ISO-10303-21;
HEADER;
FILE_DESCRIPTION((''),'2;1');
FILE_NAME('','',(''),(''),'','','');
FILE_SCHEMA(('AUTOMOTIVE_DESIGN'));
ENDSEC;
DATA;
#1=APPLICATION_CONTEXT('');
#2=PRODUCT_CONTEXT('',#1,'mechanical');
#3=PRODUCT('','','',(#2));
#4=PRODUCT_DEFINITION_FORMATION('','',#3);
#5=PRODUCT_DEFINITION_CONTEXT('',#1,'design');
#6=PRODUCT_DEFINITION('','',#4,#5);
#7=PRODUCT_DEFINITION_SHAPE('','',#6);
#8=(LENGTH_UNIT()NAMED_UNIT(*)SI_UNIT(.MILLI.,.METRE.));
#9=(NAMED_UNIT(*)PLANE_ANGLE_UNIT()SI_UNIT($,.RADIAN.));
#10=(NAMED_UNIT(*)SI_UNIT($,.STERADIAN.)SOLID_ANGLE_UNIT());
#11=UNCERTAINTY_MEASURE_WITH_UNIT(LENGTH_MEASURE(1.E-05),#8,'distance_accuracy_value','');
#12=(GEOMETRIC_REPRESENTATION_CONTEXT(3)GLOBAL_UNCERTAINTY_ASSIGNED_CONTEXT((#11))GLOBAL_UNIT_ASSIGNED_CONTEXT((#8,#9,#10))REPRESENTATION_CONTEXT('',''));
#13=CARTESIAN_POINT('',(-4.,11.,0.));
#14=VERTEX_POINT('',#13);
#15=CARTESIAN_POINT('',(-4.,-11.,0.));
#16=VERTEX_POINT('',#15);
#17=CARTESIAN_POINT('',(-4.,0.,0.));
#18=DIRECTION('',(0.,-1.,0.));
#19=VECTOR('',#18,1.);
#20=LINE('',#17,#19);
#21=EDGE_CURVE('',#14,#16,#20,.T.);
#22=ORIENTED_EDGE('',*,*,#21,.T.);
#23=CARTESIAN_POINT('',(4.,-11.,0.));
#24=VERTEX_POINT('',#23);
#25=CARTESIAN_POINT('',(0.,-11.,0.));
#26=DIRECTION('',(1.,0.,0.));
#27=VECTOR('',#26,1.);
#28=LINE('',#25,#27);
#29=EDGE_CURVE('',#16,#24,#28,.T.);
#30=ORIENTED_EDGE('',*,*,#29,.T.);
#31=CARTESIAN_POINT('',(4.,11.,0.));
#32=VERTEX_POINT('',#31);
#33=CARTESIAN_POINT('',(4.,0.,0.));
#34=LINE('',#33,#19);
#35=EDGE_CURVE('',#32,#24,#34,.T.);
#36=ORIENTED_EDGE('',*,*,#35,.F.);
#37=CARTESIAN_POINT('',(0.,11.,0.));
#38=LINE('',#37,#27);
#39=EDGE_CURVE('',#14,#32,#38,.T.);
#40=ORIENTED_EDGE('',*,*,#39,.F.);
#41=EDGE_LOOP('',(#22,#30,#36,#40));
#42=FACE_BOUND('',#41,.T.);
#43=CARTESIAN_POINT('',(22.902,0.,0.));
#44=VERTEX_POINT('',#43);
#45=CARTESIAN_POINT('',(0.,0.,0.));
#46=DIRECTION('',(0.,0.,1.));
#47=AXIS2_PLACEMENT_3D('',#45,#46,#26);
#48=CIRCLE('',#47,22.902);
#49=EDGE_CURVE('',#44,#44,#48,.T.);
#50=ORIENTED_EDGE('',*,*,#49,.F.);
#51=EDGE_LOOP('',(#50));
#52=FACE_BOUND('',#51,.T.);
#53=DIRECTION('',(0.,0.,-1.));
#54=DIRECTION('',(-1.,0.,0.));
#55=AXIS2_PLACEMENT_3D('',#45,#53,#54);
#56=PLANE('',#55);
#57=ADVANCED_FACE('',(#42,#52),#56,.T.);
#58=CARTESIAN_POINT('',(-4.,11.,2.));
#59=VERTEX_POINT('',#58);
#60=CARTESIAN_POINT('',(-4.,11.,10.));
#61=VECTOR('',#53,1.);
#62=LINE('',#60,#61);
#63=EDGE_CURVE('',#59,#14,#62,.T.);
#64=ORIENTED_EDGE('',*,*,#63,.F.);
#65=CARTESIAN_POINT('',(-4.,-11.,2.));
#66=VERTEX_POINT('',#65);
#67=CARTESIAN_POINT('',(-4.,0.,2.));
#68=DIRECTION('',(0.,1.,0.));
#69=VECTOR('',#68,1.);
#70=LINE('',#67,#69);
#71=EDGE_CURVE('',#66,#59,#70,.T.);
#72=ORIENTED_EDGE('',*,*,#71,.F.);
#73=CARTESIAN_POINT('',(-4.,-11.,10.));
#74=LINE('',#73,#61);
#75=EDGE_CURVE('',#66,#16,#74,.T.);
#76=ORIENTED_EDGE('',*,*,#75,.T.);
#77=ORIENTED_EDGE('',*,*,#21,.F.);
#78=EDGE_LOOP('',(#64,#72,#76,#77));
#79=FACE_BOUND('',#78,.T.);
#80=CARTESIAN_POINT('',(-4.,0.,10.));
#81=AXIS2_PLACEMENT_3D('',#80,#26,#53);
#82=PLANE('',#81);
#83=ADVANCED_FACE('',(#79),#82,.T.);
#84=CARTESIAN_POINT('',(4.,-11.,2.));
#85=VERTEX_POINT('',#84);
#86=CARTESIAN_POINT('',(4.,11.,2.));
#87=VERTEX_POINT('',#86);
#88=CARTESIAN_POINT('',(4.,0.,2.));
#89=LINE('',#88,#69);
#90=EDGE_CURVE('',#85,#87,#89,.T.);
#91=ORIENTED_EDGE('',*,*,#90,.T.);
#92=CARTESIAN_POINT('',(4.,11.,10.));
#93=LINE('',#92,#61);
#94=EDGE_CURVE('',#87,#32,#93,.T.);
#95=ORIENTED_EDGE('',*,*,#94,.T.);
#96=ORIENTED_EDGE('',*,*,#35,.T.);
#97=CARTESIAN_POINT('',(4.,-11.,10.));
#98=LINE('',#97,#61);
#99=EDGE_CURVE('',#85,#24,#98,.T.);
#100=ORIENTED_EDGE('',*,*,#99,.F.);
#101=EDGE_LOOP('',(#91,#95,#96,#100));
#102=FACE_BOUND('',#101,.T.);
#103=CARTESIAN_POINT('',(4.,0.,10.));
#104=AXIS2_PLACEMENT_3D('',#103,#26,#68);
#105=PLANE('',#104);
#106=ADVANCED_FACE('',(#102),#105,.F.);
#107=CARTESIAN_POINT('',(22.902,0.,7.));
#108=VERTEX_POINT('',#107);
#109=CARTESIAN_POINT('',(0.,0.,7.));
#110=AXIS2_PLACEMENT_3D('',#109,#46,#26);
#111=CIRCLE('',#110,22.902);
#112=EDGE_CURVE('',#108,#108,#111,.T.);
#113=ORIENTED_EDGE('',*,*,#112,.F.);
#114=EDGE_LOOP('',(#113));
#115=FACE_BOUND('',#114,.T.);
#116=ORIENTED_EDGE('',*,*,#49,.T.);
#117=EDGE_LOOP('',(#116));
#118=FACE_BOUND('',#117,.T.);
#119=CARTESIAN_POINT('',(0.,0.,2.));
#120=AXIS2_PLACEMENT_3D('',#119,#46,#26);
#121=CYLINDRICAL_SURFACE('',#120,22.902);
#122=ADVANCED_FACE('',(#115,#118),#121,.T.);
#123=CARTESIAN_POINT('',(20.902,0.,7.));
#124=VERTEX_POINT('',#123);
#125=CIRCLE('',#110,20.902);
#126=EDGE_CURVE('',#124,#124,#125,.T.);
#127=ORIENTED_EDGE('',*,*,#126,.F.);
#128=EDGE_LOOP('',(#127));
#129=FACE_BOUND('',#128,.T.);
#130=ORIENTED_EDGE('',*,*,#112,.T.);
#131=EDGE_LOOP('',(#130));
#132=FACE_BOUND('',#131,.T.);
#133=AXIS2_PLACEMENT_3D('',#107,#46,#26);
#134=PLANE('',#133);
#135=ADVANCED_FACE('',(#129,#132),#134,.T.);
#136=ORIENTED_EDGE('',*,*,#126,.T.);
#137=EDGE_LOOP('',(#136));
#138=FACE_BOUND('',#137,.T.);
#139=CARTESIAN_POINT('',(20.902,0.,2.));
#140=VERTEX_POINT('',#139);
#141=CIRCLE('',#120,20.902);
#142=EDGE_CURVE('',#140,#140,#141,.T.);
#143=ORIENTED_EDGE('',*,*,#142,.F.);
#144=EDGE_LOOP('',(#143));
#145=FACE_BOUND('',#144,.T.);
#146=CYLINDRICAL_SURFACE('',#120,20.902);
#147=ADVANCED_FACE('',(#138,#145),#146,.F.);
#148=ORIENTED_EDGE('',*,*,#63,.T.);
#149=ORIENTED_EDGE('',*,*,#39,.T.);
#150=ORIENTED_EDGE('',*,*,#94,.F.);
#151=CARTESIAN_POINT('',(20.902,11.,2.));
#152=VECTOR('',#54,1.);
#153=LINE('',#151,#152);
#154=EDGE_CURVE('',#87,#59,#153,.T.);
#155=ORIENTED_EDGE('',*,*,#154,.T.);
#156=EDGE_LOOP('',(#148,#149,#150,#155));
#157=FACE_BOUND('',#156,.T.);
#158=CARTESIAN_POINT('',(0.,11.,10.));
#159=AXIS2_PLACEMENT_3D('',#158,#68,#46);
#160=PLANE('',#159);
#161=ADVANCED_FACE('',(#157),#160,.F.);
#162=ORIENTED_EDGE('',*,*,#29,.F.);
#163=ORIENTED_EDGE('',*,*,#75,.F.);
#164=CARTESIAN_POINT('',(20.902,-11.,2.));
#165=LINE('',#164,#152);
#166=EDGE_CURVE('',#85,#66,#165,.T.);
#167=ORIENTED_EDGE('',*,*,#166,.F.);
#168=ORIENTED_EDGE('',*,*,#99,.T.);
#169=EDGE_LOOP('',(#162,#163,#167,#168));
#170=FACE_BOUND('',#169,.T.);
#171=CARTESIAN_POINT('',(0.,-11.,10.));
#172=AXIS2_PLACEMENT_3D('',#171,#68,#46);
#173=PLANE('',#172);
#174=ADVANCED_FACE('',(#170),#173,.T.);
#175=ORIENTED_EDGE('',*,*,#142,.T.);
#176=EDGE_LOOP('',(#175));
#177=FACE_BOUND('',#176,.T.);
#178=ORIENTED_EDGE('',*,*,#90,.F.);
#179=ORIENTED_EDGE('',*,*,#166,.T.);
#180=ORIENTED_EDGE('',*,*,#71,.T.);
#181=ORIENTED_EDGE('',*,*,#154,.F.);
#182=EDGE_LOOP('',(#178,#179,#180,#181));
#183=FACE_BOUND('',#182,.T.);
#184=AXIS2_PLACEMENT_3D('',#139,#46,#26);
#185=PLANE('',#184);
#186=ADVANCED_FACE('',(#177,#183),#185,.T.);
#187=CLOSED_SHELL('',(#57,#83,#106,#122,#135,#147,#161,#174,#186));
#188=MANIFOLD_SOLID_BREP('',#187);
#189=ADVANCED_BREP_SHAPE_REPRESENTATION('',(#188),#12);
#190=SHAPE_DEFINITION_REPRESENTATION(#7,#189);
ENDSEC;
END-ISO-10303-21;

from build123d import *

# Parameters (mm, degrees)
SKIZZE2_W                       = 8
SKIZZE2_H                       = 22
SCHNITT_LINEAR_AUSTRAGEN1_DEPTH = 10


with BuildPart() as part:
    # Skizze1 → Rotation2 (revolve)
    with BuildSketch(Plane(origin=(0, 0, 0), x_dir=(1, 0, 0), z_dir=(0, 1, 0))):
        Polygon((0, 0), (22.902, 0), (22.902, -7), (20.902, -7), (20.902, -2), (0, -2), align=None)
    revolve(axis=Axis((0, 0, 2), (0, 0, -1)))

    # Skizze2 → Schnitt-Linear austragen1 (cut)
    with BuildSketch(Plane(origin=(0, 0, 0), x_dir=(-1, 0, 0), z_dir=(0, 0, -1))):
        Rectangle(SKIZZE2_W, SKIZZE2_H)
    extrude(amount=-SCHNITT_LINEAR_AUSTRAGEN1_DEPTH, mode=Mode.SUBTRACT)


solid = part.part
